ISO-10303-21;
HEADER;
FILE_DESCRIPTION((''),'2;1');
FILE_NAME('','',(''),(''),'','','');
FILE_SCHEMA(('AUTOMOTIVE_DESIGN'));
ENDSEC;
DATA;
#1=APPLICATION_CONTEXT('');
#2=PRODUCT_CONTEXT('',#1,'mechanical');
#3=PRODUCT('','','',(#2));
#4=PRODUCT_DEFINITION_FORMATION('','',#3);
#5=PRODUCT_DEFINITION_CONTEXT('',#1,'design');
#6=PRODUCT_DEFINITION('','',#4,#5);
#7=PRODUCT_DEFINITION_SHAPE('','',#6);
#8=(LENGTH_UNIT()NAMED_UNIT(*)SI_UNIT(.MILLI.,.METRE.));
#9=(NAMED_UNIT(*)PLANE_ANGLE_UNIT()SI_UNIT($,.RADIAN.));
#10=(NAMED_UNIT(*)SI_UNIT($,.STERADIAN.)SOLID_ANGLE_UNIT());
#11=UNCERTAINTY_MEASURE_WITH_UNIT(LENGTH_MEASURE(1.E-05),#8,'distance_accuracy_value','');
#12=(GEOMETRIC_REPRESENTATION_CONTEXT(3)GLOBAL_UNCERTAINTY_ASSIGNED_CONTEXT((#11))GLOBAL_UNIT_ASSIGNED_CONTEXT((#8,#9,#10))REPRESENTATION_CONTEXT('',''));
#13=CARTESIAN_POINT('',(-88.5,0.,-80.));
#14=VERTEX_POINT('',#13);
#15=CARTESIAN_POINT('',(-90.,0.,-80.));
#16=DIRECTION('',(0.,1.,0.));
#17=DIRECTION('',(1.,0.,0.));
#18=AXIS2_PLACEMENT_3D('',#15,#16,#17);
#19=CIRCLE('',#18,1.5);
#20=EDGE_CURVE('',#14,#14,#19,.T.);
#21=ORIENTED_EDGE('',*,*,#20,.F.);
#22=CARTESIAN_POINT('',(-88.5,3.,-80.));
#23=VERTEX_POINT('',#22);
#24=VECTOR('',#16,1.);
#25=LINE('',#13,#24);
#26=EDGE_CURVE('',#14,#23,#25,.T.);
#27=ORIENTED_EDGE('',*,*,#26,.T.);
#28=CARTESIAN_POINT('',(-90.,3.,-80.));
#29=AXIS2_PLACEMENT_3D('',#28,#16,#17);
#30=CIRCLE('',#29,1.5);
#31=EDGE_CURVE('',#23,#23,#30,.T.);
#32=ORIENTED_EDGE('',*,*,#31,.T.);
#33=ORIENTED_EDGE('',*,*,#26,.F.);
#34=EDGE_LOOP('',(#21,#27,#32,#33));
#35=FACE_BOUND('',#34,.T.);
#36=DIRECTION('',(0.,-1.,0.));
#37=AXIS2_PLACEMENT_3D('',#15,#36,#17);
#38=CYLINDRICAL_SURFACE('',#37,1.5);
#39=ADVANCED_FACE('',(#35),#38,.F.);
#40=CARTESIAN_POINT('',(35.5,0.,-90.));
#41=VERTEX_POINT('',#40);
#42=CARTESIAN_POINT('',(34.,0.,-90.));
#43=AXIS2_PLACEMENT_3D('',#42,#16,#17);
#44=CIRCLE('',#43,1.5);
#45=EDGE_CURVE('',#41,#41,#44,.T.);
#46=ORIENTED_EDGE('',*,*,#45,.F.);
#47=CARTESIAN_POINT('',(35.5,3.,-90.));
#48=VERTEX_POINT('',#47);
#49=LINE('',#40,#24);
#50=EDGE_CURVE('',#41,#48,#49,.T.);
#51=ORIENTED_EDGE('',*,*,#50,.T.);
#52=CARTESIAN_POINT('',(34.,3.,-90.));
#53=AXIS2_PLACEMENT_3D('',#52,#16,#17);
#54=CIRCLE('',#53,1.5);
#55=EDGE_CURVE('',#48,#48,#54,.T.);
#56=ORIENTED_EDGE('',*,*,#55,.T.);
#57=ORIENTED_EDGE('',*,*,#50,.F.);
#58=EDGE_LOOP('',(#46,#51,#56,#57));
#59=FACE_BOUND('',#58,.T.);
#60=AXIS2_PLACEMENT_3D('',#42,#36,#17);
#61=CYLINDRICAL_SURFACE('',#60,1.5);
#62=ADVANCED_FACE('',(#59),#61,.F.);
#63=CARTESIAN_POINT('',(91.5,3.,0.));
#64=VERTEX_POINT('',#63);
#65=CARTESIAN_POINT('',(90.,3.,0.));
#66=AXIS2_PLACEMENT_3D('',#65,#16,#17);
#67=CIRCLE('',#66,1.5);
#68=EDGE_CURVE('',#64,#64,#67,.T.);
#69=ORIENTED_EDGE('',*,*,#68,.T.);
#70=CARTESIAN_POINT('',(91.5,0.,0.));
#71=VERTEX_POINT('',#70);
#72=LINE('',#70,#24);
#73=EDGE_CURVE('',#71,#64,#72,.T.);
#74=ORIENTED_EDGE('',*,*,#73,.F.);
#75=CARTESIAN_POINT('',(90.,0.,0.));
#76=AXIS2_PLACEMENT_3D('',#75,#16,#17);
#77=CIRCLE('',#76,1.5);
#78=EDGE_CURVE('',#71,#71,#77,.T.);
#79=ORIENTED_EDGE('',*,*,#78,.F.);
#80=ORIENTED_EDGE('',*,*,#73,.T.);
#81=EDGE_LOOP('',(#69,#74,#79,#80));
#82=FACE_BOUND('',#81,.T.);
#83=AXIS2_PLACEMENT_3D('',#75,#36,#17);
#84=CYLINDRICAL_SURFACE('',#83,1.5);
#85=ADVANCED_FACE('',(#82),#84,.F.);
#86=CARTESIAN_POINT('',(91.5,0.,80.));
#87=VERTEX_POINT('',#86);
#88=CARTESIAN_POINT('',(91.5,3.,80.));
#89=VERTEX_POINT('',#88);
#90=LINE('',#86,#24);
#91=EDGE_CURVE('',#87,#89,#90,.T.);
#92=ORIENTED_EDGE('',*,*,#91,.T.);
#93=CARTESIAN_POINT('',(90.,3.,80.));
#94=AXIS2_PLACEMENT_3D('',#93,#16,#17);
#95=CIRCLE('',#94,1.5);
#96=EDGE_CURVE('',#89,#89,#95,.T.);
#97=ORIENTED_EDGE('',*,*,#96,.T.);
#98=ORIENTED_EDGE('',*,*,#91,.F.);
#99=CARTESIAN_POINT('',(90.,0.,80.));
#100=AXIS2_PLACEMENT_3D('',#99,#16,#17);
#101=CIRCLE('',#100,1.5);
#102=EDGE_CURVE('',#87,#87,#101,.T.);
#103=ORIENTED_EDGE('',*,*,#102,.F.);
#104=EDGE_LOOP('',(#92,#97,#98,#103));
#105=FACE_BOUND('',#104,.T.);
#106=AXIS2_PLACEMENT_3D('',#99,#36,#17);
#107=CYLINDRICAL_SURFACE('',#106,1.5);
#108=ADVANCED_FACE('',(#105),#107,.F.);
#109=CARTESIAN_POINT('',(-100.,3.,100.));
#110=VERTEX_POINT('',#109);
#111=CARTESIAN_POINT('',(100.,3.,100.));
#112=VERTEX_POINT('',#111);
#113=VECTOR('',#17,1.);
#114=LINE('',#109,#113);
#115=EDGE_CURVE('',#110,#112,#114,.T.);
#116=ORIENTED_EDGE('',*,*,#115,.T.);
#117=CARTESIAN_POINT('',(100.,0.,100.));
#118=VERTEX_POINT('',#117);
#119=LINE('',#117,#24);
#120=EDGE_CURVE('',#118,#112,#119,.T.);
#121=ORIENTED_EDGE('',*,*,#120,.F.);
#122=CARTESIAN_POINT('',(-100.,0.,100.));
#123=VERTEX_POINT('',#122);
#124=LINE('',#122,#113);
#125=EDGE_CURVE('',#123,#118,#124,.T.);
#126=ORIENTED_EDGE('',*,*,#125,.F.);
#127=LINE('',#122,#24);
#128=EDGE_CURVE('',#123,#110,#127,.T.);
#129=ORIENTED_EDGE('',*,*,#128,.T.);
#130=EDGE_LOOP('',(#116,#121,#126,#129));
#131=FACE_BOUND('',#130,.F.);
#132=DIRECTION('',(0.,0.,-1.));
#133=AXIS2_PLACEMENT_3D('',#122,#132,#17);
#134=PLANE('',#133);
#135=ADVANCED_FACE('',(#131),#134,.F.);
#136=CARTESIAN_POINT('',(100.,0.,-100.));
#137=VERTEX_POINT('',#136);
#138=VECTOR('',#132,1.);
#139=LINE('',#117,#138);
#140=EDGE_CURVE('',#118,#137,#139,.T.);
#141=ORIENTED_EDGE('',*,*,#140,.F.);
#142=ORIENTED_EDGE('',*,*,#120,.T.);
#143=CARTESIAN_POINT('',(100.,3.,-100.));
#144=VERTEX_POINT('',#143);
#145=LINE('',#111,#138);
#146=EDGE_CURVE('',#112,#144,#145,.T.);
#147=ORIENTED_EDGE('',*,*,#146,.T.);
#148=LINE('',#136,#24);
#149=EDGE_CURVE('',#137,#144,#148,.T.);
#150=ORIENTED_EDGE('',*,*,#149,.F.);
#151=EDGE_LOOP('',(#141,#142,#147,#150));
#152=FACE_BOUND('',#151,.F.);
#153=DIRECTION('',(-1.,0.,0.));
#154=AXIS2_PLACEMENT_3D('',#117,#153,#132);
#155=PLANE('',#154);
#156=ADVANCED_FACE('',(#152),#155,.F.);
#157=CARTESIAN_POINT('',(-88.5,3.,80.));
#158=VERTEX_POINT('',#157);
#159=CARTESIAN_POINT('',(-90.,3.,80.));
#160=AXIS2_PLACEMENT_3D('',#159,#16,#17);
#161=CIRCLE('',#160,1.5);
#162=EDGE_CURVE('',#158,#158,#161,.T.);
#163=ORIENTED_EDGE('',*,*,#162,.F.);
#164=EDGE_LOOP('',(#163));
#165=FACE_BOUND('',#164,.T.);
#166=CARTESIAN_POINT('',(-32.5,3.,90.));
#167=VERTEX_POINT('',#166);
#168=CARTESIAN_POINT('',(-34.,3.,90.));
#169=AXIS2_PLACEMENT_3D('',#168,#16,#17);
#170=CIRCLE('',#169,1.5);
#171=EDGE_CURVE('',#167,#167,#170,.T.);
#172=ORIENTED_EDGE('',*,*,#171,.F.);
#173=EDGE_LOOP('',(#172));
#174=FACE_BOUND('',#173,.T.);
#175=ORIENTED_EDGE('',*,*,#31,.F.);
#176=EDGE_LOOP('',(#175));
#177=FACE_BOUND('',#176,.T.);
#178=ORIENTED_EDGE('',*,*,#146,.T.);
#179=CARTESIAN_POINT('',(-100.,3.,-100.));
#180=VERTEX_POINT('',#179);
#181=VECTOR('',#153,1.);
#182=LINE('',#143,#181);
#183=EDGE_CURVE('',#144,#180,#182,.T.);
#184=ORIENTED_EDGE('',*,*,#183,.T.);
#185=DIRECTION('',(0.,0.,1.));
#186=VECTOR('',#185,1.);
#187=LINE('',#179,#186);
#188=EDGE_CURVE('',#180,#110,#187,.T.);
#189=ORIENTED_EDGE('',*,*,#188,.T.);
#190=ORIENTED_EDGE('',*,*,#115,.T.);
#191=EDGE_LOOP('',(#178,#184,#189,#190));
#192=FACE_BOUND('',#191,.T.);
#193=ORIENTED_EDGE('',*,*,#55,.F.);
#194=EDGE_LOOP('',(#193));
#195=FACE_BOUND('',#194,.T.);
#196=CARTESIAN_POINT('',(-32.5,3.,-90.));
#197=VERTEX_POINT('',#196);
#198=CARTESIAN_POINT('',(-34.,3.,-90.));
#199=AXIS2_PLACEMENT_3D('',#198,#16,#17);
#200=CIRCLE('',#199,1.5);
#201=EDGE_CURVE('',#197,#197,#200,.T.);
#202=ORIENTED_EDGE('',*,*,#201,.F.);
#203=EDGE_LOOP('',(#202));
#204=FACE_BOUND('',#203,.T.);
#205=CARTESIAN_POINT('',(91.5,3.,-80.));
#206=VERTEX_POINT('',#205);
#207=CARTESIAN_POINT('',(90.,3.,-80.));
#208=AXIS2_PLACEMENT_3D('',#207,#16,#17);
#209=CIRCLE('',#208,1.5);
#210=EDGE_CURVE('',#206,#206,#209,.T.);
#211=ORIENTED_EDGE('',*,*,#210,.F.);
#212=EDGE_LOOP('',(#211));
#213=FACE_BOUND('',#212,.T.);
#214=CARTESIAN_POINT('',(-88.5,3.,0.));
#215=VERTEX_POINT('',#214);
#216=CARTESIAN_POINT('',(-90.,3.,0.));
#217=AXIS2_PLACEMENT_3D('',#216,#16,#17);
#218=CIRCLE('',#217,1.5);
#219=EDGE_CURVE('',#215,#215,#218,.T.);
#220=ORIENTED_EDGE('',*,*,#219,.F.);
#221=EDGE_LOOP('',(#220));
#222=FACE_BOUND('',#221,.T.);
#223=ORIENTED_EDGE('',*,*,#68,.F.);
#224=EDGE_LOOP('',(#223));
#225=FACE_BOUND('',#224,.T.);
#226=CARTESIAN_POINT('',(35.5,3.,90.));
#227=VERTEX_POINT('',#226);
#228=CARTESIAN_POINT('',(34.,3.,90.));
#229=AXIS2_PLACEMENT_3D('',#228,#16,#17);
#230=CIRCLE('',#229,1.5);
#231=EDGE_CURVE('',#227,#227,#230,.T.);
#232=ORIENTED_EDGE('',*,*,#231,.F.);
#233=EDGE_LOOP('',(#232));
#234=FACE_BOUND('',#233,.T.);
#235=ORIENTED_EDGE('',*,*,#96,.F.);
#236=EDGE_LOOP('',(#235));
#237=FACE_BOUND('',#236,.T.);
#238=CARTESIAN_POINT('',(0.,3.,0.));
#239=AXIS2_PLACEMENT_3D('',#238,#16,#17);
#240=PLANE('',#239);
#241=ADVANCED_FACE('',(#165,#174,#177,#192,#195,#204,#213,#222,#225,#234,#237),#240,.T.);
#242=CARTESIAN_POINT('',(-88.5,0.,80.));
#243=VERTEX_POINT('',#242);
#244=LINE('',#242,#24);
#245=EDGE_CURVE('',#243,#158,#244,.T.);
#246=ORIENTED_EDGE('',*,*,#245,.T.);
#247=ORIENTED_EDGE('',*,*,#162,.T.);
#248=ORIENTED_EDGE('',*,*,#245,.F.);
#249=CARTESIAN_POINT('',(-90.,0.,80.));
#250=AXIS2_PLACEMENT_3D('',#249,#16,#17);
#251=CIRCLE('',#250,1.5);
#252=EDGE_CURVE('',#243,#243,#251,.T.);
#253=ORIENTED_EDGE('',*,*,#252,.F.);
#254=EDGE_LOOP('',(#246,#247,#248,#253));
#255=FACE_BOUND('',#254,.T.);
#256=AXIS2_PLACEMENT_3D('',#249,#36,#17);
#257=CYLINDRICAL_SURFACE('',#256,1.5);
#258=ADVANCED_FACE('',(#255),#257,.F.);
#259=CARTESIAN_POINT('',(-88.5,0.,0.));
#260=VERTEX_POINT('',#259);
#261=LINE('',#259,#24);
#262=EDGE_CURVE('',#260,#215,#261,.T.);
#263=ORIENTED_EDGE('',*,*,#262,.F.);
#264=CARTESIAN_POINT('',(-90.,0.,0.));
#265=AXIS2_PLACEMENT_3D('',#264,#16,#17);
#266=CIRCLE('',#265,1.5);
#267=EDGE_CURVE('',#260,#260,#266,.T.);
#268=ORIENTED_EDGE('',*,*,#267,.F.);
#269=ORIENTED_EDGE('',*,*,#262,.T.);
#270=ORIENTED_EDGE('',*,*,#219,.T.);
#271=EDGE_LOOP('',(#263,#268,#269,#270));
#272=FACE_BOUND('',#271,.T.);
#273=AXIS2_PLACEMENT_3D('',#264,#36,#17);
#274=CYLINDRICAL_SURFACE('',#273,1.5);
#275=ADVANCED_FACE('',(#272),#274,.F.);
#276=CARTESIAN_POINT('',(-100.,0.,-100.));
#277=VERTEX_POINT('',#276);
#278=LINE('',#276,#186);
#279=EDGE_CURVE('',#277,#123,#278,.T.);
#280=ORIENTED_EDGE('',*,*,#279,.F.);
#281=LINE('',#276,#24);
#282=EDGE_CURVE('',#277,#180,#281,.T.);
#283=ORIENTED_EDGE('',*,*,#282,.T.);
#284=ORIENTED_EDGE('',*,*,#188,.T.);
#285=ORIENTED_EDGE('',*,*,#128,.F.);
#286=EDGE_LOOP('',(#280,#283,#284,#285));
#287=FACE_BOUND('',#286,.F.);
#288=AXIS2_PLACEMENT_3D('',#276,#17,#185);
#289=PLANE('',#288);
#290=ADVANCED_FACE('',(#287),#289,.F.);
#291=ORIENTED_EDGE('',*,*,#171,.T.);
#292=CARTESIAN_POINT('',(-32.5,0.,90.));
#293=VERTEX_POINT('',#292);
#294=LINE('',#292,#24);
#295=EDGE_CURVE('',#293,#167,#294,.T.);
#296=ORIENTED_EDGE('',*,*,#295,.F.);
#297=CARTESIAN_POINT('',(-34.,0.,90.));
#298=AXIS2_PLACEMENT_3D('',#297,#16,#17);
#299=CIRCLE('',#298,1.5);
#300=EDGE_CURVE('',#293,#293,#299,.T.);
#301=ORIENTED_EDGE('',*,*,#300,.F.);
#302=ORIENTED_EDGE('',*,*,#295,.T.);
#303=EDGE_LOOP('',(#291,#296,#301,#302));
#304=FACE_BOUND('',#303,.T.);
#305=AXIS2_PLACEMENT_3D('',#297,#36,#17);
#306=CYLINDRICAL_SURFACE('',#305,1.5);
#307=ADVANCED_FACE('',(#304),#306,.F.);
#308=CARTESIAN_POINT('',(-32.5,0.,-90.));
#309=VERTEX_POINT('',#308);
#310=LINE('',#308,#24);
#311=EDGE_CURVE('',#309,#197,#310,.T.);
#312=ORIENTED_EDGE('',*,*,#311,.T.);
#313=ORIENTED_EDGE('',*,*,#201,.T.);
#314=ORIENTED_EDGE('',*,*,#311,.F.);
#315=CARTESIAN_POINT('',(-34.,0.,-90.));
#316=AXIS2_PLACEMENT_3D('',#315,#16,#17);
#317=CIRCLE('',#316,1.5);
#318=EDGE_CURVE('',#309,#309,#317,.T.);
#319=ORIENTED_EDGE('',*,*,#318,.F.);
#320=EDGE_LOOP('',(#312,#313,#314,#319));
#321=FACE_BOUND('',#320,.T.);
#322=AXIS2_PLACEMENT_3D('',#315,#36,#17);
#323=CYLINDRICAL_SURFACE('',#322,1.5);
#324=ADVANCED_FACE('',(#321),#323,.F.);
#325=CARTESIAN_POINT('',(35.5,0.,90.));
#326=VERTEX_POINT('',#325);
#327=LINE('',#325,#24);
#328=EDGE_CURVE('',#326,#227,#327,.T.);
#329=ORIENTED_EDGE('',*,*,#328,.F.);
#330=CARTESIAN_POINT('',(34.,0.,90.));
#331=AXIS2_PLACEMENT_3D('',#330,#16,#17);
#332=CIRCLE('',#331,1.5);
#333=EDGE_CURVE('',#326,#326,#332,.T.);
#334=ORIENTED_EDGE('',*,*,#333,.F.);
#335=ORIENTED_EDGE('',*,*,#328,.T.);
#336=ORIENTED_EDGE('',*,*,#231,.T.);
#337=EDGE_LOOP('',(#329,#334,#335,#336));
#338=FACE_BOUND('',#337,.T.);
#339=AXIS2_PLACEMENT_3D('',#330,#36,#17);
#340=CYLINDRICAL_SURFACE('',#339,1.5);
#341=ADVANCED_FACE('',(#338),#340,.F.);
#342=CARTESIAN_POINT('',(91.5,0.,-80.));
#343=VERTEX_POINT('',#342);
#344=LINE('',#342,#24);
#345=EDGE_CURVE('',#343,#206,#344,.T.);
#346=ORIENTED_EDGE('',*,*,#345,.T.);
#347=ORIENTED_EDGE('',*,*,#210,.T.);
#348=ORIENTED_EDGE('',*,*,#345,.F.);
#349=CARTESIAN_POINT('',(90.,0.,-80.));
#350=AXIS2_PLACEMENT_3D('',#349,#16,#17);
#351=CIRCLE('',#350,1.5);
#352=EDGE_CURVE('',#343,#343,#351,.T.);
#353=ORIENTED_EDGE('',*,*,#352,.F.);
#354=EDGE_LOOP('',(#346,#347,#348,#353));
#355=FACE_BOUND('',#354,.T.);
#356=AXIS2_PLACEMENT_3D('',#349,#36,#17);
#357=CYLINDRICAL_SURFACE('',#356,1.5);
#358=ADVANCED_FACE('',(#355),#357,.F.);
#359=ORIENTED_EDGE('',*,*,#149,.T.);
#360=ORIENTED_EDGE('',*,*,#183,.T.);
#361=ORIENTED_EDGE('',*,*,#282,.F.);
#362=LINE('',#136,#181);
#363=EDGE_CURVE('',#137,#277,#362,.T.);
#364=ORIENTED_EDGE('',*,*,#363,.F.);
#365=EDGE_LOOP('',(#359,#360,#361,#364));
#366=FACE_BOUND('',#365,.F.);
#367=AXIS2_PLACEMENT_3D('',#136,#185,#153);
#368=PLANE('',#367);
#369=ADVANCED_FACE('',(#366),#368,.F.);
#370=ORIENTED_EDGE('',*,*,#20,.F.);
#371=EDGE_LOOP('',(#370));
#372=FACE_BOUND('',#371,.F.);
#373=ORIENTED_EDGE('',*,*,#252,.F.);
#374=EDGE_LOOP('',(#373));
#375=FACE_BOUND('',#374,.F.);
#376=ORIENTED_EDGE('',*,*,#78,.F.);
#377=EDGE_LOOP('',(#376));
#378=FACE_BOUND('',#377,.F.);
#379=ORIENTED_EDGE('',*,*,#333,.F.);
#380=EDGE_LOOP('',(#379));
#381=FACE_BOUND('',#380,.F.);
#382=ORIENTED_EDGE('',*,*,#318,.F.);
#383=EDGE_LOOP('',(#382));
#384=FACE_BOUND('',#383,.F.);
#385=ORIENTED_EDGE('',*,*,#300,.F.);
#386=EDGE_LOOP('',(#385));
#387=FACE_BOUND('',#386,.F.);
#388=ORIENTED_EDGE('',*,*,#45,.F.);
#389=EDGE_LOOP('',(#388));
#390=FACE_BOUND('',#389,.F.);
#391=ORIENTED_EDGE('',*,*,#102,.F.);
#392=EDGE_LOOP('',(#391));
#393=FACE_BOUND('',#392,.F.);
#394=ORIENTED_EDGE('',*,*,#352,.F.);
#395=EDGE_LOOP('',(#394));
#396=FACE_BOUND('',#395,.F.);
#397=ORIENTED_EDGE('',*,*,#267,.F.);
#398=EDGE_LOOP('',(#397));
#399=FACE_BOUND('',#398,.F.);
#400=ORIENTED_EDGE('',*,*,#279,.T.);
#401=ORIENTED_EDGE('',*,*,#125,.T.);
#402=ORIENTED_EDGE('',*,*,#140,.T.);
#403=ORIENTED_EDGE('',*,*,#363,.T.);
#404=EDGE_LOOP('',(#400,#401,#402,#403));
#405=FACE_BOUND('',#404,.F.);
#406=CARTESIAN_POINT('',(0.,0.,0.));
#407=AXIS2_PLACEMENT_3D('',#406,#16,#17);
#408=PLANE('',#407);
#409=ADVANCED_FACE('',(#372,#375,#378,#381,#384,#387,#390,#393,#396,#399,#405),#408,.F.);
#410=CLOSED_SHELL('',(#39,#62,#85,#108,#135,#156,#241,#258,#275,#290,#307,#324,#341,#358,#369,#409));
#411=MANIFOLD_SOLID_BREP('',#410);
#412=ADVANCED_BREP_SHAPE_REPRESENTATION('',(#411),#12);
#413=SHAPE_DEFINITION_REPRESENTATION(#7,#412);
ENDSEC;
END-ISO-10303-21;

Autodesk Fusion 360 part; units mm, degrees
sketch "Sketch1" plane through (0, 0, 0) normal (0, 1, 0) x (1, 0, 0)
  line L0 (100, 100) -> (-100, 100)
  line L1 (-100, 100) -> (-100, -100)
  line L2 (-100, -100) -> (100, -100)
  line L3 (100, -100) -> (100, 100)
  line L4 (100, 100) -> (-100, -100) construction
  line L5 (-100, 100) -> (100, -100) construction
  circle A0 centre (90, -80) radius 1.5
  circle A1 centre (90, 0) radius 1.5
  circle A2 centre (90, 80) radius 1.5
  circle A3 centre (-90, 80) radius 1.5
  circle A4 centre (-90, 0) radius 1.5
  circle A5 centre (-90, -80) radius 1.5
  circle A6 centre (-34, -90) radius 1.5
  circle A7 centre (34, -90) radius 1.5
  circle A8 centre (-34, 90) radius 1.5
  circle A9 centre (34, 90) radius 1.5
  dimension "d1" = 200
  dimension "d2" = 200
  dimension "d3" = 3
  dimension "d4" = 3
  dimension "d5" = 3
  dimension "d6" = 3
  dimension "d7" = 3
  dimension "d8" = 3
  dimension "d9" = 10
  dimension "d10" = 20
  dimension "d11" = 10
  dimension "d12" = 10
  dimension "d13" = 20
  dimension "d14" = 100
  dimension "d15" = 10
  dimension "d16" = 20
  dimension "d17" = 100
  dimension "d18" = 10
  dimension "d19" = 10
  dimension "d20" = 20
  dimension "d21" = 3
  dimension "d22" = 3
  dimension "d23" = 3
  dimension "d24" = 3
  dimension "d25" = 10
  dimension "d26" = 10
  dimension "d27" = 66
  dimension "d28" = 66
  dimension "d29" = 10
  dimension "d30" = 10
  dimension "d31" = 66
  dimension "d32" = 66
extrude "Extrude1" add sketch "Sketch1" along normal blind 3
